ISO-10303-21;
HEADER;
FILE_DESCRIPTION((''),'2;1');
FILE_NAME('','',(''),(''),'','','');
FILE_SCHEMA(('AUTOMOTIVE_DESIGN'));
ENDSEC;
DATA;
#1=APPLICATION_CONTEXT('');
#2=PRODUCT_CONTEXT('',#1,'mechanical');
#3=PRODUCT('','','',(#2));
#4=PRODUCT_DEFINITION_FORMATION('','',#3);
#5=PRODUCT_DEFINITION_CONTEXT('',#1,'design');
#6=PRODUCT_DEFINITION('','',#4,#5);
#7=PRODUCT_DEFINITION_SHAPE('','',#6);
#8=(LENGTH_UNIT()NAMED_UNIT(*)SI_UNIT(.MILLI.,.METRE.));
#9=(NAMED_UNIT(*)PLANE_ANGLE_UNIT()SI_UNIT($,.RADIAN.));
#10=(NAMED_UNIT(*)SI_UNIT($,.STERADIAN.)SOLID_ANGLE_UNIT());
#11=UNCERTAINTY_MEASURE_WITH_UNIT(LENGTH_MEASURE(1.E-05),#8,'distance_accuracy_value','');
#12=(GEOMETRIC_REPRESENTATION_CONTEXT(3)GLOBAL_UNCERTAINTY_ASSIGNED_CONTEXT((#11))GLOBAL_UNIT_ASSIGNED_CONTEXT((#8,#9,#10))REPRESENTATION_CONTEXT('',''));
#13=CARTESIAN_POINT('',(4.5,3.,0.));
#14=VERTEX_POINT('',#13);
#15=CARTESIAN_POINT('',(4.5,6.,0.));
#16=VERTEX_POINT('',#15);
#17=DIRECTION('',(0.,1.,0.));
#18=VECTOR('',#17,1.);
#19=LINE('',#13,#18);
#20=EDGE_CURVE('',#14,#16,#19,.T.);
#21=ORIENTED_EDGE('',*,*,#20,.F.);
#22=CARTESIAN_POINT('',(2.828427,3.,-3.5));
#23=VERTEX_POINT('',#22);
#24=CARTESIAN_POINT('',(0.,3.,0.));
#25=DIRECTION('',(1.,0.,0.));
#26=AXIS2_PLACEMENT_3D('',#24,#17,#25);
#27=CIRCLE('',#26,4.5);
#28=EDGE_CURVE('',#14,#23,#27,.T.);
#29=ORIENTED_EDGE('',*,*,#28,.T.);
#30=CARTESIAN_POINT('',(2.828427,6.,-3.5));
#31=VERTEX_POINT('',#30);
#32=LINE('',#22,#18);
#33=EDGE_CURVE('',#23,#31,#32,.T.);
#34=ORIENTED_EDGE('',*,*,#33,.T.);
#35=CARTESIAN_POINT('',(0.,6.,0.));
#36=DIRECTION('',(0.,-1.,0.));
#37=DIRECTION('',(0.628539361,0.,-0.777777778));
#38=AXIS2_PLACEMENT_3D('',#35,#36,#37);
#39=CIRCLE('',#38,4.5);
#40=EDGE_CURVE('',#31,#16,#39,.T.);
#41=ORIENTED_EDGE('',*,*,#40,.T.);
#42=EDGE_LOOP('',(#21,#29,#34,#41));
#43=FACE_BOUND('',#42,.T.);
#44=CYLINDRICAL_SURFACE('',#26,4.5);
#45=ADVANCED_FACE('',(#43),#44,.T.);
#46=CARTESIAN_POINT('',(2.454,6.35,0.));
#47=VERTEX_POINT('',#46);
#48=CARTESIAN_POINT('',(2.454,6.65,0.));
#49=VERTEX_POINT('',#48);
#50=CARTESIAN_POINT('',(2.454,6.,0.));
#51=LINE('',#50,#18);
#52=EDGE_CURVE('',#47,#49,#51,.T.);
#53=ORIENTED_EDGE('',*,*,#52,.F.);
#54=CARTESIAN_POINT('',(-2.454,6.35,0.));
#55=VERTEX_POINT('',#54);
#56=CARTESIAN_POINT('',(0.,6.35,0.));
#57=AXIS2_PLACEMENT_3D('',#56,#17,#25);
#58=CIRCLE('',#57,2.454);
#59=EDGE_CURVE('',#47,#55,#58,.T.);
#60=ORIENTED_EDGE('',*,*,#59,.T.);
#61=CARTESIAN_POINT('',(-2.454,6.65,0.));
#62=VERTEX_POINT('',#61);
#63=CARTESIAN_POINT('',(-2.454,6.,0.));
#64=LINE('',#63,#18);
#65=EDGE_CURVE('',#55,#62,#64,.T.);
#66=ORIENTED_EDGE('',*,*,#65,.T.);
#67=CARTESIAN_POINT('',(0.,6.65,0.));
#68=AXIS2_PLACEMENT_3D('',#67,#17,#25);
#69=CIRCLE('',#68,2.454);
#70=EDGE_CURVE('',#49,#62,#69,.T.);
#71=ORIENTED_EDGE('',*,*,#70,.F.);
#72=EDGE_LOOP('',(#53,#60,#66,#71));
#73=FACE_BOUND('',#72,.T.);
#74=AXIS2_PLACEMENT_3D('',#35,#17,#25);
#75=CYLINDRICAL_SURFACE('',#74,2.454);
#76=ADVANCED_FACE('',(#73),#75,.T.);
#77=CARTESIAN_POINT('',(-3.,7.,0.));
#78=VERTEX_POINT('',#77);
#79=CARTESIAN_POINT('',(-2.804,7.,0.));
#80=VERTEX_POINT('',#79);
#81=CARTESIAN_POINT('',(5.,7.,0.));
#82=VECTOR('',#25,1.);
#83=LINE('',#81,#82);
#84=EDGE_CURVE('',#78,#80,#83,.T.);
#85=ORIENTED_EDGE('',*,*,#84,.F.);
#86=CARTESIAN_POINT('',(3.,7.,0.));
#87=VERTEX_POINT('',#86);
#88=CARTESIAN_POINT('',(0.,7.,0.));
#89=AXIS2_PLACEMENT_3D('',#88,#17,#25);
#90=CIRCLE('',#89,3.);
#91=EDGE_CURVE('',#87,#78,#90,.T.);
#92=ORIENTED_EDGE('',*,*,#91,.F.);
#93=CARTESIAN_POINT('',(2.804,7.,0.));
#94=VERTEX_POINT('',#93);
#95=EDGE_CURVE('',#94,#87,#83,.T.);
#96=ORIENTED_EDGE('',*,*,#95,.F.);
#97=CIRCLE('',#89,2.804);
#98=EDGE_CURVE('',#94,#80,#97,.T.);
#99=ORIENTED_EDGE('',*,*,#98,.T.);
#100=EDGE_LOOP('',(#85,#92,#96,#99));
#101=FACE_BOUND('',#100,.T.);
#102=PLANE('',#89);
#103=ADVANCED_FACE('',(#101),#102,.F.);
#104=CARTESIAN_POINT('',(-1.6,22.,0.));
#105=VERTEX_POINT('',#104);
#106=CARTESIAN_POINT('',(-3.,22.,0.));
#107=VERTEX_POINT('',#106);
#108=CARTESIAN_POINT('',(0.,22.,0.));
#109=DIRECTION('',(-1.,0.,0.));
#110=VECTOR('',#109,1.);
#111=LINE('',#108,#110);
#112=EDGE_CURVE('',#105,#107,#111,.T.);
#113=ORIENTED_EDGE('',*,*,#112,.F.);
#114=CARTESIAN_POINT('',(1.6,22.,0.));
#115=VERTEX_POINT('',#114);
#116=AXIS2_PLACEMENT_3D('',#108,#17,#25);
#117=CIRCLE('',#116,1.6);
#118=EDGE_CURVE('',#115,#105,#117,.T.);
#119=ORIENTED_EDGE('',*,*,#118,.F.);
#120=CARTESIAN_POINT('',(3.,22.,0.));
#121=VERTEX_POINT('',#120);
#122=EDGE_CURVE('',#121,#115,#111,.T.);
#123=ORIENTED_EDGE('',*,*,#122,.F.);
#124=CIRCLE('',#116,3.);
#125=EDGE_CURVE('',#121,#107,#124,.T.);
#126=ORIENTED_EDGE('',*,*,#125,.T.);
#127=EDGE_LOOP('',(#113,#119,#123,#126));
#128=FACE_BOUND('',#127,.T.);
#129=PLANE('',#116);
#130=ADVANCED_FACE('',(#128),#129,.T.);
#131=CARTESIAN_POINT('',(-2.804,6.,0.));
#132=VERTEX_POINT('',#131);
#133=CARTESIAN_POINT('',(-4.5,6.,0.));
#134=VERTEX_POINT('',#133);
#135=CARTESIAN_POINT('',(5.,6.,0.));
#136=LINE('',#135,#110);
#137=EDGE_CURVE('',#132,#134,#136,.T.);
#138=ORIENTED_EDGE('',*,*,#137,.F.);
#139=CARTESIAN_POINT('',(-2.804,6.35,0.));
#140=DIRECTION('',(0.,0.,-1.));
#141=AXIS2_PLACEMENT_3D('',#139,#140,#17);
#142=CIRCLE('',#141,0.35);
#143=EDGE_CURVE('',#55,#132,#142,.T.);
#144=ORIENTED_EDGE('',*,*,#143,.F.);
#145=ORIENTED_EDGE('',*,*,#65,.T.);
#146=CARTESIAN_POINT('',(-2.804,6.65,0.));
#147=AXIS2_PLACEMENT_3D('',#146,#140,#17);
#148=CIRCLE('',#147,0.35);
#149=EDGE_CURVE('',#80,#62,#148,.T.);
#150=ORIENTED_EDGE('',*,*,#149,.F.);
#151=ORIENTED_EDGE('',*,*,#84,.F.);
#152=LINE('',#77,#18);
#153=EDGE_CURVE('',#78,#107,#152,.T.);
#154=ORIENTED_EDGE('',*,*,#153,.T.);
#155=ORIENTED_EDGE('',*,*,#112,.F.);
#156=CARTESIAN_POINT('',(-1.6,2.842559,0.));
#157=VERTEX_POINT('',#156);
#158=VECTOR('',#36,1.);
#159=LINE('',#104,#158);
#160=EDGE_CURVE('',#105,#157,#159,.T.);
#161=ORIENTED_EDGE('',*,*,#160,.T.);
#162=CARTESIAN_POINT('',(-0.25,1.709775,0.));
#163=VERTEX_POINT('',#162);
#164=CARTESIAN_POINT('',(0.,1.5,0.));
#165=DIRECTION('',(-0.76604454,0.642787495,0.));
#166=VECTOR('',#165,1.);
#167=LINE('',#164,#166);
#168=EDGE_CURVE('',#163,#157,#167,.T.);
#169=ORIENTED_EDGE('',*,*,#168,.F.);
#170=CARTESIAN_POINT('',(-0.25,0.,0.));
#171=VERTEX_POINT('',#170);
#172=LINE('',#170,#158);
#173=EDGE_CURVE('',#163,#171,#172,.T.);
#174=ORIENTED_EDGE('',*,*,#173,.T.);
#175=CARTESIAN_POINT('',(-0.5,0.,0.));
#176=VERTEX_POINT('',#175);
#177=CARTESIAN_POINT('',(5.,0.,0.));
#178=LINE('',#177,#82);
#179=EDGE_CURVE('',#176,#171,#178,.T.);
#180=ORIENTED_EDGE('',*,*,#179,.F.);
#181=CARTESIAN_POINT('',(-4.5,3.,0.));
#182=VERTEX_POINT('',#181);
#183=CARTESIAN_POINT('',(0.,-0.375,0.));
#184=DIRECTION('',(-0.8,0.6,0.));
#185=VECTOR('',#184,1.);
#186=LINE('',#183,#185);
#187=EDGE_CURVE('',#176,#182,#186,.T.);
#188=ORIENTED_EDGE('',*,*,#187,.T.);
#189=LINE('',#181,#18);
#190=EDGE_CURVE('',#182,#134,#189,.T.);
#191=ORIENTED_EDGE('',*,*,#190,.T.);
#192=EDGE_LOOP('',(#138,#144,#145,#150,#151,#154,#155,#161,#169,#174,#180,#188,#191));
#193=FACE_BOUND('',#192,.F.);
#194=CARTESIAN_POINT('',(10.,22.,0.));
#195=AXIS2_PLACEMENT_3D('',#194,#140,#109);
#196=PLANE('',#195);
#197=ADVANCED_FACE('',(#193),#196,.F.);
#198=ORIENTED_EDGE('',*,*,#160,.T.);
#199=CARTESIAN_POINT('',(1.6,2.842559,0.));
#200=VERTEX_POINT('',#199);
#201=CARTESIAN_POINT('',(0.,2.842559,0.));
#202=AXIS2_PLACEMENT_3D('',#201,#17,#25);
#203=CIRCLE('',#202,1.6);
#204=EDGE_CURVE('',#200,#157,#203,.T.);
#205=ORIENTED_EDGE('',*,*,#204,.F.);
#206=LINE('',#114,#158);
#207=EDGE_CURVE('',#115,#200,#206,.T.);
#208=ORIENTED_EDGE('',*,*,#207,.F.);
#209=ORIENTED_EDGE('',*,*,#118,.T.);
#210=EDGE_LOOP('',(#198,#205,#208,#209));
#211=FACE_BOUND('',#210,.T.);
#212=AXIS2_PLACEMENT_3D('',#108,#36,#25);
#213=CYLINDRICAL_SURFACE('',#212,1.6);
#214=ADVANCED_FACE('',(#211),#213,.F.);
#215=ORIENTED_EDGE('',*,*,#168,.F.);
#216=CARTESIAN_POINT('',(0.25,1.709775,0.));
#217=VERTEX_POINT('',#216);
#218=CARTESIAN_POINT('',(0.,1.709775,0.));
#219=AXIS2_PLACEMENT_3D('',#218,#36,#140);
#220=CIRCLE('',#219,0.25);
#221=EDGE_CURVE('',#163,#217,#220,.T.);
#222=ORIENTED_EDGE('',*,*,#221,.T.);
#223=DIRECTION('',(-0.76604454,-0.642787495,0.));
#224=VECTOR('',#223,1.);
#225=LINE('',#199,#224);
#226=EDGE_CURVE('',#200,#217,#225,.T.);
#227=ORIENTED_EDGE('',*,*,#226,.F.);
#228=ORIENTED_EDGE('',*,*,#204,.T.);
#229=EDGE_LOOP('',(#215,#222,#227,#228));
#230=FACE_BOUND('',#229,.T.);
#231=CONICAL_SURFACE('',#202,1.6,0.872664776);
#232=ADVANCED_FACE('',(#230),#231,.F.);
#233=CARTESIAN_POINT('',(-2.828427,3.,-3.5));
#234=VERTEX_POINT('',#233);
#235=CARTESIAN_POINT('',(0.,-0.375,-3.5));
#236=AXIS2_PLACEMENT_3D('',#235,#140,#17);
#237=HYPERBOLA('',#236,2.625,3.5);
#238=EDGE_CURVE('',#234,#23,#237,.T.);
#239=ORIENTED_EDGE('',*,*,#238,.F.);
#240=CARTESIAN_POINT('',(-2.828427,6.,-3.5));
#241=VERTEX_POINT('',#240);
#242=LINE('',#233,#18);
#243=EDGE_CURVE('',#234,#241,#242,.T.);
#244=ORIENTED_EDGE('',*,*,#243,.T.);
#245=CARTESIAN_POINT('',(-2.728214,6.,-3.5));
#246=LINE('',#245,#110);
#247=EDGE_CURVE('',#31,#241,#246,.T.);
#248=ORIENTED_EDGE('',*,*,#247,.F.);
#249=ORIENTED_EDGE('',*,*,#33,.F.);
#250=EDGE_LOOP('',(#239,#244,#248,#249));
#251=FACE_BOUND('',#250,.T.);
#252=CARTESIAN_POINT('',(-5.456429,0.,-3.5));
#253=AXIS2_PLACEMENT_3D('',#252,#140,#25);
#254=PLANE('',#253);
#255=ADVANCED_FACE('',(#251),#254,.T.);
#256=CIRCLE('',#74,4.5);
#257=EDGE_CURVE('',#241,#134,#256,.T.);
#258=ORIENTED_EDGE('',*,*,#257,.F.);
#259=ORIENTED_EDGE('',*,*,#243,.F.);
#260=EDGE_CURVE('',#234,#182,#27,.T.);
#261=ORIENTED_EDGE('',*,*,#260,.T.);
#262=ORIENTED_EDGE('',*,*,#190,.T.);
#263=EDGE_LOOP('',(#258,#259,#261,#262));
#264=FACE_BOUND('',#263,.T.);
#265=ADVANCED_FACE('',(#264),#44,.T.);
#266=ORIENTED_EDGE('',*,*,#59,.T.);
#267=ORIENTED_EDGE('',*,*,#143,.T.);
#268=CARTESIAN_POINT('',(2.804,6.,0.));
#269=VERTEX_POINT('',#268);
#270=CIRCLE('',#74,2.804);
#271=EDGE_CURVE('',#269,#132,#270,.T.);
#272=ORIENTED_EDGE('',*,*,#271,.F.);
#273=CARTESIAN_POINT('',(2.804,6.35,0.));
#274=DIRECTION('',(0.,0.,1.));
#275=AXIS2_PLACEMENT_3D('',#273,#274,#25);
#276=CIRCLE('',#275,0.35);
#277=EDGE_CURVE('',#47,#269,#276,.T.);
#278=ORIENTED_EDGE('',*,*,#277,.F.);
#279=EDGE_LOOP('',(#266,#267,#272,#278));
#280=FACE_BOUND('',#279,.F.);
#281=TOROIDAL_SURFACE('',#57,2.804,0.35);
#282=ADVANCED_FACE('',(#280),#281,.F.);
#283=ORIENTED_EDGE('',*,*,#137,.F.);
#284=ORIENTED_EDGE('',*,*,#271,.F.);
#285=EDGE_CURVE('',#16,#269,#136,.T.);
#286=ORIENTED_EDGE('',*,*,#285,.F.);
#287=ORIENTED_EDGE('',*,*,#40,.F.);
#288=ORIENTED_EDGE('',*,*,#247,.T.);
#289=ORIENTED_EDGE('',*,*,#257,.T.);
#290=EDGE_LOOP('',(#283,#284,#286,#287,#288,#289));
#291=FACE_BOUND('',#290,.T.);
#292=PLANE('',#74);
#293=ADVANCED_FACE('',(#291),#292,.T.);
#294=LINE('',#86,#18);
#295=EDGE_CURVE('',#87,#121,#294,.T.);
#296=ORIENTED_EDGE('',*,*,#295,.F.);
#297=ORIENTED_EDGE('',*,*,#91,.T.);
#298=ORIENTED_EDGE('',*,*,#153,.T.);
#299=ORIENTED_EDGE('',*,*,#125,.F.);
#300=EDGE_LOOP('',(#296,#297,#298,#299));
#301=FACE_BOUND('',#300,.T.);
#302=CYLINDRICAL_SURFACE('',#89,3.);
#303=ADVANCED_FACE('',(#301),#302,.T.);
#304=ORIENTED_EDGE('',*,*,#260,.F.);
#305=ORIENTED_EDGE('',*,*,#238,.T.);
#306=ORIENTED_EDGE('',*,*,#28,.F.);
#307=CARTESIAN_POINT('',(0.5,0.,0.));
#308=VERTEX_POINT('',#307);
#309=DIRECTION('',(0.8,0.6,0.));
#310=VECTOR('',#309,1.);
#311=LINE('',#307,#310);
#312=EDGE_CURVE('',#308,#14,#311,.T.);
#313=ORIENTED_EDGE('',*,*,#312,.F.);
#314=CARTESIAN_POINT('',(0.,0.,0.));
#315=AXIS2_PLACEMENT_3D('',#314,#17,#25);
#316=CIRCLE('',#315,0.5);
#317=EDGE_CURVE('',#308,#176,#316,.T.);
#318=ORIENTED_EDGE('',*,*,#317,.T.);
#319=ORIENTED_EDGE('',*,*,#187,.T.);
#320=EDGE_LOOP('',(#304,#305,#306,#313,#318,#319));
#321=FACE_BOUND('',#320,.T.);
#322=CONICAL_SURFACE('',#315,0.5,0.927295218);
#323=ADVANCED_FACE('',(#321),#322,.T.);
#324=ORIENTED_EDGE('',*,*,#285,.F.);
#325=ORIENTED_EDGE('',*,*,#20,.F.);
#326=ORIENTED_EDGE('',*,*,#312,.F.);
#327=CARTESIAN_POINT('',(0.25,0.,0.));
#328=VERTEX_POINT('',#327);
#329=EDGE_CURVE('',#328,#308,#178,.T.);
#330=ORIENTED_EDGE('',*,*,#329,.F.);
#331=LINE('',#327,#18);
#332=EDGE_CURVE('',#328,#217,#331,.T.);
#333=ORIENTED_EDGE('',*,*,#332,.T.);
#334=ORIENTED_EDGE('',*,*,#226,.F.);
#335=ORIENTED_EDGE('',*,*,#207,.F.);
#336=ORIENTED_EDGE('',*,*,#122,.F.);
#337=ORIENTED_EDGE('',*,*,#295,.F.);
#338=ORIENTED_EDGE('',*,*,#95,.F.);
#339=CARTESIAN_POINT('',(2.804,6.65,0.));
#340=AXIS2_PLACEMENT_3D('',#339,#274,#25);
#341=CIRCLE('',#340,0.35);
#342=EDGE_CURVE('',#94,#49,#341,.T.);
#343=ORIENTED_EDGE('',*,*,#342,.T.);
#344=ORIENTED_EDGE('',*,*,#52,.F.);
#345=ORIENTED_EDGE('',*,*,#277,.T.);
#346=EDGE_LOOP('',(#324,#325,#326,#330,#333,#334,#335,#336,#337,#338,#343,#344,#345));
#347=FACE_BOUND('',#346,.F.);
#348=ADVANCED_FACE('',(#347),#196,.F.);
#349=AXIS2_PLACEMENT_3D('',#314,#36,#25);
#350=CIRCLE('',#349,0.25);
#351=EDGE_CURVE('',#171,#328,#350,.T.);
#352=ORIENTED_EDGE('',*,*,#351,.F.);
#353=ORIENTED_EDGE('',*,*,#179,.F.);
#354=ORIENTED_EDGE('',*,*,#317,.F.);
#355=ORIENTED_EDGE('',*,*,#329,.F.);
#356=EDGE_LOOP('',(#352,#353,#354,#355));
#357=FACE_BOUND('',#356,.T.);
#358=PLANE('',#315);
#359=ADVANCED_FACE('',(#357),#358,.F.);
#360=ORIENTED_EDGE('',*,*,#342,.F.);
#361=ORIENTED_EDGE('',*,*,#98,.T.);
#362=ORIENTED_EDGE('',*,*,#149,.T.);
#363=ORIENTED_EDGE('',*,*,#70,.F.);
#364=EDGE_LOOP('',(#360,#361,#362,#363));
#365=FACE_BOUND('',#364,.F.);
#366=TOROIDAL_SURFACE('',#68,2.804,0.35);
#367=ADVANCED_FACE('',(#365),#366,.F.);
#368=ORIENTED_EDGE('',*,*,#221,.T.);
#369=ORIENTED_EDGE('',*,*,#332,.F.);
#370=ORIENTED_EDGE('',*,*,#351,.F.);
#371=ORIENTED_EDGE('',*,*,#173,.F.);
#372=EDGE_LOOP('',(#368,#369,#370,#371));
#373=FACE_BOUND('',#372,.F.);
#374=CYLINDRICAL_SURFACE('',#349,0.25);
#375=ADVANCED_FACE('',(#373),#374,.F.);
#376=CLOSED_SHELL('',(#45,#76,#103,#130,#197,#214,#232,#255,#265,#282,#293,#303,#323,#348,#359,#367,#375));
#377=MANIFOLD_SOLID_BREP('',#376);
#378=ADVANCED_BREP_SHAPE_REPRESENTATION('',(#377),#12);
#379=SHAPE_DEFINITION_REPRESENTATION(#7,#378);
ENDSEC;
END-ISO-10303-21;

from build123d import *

# Parameters (mm, degrees)
SKETCH001_R     = 0.25
POCKET_DEPTH    = 5
SKETCH002_W     = 10
SKETCH002_H     = 2.096101
SKETCH002_H_2   = 2.304512
POCKET001_DEPTH = 22.001
FILLET_R        = 0.35
SKETCH003_W     = 20
SKETCH003_H     = 10
POCKET002_DEPTH = 22.001


with BuildPart() as part:
    # Sketch → Revolution (revolve)
    with BuildSketch(Plane.XY):
        Polygon((0, 0), (0.5, 0), (4.5, 3), (4.5, 6), (3, 6), (2.454, 6), (2.454, 7), (3, 7), (3, 22), (1.6, 22), (1.6, 2.842559), (0, 1.5), align=None)
    revolve(axis=Axis((0, 0, 0), (0, 1, 0)))

    # Sketch001 → Pocket (cut)
    with BuildSketch(Plane.XZ):
        Circle(SKETCH001_R)
    extrude(amount=-POCKET_DEPTH, mode=Mode.SUBTRACT)

    # Sketch002 → Pocket001 (cut, through all)
    with BuildSketch(Plane.XZ):
        with Locations((-0.418938, 4.548051)):
            Rectangle(SKETCH002_W, SKETCH002_H)
        with Locations((-0.456429, -4.652256)):
            Rectangle(SKETCH002_W, SKETCH002_H_2)
    extrude(amount=-POCKET001_DEPTH, mode=Mode.SUBTRACT)

    # Fillet
    fillet_edges = [part.edges().sort_by_distance(p)[0] for p in [
        (-2.454, 7, 0),
        (-2.454, 6, 0),
    ]]
    fillet(fillet_edges, radius=FILLET_R)

    # Sketch003 → Pocket002 (cut, through all)
    with BuildSketch(Plane(origin=(0, 22, 0), x_dir=(-1, 0, 0), z_dir=(0, 1, 0))):
        with Locations((0, 5)):
            Rectangle(SKETCH003_W, SKETCH003_H)
    extrude(amount=-POCKET002_DEPTH, mode=Mode.SUBTRACT)


solid = part.part
